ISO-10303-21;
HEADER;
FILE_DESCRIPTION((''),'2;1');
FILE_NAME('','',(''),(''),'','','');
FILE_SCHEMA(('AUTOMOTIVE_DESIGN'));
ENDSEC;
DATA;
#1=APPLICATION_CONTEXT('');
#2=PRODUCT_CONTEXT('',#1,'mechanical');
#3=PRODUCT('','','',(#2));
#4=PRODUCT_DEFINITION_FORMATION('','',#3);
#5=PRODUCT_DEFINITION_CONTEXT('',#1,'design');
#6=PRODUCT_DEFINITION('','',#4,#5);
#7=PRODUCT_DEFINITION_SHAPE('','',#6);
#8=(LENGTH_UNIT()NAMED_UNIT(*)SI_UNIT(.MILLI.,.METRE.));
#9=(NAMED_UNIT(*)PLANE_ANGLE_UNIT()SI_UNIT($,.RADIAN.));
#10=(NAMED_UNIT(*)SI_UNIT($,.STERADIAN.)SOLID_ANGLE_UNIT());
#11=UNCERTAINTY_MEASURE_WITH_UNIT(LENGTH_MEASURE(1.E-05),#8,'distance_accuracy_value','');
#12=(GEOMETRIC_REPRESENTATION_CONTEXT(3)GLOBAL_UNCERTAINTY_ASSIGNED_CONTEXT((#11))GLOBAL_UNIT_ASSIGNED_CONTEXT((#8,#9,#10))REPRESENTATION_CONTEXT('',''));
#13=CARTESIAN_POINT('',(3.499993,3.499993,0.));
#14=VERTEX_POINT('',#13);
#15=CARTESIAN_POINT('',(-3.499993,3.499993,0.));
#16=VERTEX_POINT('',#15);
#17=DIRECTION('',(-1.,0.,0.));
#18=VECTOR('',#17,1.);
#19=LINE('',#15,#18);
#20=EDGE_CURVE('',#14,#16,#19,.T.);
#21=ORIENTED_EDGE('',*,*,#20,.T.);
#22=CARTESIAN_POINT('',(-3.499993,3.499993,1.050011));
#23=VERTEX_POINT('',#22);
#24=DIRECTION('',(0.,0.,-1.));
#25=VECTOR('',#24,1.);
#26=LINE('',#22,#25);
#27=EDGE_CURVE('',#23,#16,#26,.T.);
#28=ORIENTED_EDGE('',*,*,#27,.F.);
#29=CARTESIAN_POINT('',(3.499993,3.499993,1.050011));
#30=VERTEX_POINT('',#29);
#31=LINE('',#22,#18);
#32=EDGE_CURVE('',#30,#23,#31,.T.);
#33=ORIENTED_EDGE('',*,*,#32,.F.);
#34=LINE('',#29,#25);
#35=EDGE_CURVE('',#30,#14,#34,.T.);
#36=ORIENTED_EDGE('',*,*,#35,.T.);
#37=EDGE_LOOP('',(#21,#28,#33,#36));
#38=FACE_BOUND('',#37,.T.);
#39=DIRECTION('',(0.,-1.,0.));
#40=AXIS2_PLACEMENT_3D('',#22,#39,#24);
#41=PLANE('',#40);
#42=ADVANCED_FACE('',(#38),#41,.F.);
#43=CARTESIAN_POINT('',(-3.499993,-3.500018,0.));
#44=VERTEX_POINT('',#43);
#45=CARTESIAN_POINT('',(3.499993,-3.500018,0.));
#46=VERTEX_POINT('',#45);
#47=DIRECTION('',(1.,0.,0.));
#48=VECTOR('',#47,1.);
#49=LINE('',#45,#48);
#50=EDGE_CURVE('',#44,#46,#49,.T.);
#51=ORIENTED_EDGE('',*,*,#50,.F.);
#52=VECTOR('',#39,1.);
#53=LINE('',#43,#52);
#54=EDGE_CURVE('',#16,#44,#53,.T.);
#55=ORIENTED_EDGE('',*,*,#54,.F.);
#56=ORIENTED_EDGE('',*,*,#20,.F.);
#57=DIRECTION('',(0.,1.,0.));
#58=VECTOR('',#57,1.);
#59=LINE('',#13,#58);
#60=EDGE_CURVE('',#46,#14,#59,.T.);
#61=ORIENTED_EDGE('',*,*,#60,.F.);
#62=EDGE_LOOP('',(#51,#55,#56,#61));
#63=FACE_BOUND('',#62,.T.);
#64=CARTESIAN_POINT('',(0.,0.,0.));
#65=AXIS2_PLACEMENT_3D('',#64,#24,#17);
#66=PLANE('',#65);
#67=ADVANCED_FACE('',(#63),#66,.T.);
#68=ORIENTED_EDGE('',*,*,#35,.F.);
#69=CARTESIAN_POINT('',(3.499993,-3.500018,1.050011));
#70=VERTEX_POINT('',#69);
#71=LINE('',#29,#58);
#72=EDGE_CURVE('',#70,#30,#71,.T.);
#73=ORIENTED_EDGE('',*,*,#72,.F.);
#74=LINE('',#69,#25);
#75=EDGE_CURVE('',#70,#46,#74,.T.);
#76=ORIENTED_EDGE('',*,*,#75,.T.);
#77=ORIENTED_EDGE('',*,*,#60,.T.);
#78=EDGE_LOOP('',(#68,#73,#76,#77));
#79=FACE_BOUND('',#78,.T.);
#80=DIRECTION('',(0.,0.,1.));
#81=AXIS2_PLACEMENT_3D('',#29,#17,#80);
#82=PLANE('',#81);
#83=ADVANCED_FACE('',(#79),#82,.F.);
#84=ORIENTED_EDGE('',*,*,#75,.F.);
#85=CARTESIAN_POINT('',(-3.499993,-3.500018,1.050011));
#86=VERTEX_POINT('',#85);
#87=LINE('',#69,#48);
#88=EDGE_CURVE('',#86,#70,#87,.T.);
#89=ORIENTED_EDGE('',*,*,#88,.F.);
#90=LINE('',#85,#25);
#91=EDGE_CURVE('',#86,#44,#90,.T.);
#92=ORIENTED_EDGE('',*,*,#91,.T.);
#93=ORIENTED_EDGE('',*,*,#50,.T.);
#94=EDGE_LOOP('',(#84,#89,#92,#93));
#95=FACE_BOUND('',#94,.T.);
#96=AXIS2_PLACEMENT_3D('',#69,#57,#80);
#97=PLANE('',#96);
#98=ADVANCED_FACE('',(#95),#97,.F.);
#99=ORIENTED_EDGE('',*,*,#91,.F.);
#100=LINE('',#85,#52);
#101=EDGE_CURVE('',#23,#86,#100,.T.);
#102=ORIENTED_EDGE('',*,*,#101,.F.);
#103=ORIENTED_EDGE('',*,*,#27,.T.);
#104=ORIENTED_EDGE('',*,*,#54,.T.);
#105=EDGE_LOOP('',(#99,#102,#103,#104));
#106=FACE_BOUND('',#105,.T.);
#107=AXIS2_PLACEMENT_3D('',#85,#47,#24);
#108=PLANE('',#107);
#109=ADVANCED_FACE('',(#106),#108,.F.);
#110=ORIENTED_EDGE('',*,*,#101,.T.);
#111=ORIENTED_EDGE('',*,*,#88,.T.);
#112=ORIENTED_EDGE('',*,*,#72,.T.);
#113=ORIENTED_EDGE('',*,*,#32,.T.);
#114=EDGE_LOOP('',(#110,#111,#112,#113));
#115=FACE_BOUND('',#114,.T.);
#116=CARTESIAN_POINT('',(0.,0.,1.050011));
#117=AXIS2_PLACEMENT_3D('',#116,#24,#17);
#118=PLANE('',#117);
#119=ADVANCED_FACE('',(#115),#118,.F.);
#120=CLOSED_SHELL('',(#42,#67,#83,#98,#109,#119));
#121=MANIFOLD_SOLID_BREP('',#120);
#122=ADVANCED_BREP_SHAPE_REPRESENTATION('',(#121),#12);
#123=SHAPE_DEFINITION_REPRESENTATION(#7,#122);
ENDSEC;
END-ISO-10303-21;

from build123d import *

# Parameters (mm, degrees)
SKETCH1_W               = 6.999986
SKETCH1_H               = 7.0000114
COMPONENT_OUTLINE_DEPTH = 1.0500106


with BuildPart() as part:
    # Sketch1 → Component_Outline (new body)
    with BuildSketch(Plane.XY):
        with Locations((0, -1.27e-05)):
            Rectangle(SKETCH1_W, SKETCH1_H)
    extrude(amount=COMPONENT_OUTLINE_DEPTH)


solid = part.part
